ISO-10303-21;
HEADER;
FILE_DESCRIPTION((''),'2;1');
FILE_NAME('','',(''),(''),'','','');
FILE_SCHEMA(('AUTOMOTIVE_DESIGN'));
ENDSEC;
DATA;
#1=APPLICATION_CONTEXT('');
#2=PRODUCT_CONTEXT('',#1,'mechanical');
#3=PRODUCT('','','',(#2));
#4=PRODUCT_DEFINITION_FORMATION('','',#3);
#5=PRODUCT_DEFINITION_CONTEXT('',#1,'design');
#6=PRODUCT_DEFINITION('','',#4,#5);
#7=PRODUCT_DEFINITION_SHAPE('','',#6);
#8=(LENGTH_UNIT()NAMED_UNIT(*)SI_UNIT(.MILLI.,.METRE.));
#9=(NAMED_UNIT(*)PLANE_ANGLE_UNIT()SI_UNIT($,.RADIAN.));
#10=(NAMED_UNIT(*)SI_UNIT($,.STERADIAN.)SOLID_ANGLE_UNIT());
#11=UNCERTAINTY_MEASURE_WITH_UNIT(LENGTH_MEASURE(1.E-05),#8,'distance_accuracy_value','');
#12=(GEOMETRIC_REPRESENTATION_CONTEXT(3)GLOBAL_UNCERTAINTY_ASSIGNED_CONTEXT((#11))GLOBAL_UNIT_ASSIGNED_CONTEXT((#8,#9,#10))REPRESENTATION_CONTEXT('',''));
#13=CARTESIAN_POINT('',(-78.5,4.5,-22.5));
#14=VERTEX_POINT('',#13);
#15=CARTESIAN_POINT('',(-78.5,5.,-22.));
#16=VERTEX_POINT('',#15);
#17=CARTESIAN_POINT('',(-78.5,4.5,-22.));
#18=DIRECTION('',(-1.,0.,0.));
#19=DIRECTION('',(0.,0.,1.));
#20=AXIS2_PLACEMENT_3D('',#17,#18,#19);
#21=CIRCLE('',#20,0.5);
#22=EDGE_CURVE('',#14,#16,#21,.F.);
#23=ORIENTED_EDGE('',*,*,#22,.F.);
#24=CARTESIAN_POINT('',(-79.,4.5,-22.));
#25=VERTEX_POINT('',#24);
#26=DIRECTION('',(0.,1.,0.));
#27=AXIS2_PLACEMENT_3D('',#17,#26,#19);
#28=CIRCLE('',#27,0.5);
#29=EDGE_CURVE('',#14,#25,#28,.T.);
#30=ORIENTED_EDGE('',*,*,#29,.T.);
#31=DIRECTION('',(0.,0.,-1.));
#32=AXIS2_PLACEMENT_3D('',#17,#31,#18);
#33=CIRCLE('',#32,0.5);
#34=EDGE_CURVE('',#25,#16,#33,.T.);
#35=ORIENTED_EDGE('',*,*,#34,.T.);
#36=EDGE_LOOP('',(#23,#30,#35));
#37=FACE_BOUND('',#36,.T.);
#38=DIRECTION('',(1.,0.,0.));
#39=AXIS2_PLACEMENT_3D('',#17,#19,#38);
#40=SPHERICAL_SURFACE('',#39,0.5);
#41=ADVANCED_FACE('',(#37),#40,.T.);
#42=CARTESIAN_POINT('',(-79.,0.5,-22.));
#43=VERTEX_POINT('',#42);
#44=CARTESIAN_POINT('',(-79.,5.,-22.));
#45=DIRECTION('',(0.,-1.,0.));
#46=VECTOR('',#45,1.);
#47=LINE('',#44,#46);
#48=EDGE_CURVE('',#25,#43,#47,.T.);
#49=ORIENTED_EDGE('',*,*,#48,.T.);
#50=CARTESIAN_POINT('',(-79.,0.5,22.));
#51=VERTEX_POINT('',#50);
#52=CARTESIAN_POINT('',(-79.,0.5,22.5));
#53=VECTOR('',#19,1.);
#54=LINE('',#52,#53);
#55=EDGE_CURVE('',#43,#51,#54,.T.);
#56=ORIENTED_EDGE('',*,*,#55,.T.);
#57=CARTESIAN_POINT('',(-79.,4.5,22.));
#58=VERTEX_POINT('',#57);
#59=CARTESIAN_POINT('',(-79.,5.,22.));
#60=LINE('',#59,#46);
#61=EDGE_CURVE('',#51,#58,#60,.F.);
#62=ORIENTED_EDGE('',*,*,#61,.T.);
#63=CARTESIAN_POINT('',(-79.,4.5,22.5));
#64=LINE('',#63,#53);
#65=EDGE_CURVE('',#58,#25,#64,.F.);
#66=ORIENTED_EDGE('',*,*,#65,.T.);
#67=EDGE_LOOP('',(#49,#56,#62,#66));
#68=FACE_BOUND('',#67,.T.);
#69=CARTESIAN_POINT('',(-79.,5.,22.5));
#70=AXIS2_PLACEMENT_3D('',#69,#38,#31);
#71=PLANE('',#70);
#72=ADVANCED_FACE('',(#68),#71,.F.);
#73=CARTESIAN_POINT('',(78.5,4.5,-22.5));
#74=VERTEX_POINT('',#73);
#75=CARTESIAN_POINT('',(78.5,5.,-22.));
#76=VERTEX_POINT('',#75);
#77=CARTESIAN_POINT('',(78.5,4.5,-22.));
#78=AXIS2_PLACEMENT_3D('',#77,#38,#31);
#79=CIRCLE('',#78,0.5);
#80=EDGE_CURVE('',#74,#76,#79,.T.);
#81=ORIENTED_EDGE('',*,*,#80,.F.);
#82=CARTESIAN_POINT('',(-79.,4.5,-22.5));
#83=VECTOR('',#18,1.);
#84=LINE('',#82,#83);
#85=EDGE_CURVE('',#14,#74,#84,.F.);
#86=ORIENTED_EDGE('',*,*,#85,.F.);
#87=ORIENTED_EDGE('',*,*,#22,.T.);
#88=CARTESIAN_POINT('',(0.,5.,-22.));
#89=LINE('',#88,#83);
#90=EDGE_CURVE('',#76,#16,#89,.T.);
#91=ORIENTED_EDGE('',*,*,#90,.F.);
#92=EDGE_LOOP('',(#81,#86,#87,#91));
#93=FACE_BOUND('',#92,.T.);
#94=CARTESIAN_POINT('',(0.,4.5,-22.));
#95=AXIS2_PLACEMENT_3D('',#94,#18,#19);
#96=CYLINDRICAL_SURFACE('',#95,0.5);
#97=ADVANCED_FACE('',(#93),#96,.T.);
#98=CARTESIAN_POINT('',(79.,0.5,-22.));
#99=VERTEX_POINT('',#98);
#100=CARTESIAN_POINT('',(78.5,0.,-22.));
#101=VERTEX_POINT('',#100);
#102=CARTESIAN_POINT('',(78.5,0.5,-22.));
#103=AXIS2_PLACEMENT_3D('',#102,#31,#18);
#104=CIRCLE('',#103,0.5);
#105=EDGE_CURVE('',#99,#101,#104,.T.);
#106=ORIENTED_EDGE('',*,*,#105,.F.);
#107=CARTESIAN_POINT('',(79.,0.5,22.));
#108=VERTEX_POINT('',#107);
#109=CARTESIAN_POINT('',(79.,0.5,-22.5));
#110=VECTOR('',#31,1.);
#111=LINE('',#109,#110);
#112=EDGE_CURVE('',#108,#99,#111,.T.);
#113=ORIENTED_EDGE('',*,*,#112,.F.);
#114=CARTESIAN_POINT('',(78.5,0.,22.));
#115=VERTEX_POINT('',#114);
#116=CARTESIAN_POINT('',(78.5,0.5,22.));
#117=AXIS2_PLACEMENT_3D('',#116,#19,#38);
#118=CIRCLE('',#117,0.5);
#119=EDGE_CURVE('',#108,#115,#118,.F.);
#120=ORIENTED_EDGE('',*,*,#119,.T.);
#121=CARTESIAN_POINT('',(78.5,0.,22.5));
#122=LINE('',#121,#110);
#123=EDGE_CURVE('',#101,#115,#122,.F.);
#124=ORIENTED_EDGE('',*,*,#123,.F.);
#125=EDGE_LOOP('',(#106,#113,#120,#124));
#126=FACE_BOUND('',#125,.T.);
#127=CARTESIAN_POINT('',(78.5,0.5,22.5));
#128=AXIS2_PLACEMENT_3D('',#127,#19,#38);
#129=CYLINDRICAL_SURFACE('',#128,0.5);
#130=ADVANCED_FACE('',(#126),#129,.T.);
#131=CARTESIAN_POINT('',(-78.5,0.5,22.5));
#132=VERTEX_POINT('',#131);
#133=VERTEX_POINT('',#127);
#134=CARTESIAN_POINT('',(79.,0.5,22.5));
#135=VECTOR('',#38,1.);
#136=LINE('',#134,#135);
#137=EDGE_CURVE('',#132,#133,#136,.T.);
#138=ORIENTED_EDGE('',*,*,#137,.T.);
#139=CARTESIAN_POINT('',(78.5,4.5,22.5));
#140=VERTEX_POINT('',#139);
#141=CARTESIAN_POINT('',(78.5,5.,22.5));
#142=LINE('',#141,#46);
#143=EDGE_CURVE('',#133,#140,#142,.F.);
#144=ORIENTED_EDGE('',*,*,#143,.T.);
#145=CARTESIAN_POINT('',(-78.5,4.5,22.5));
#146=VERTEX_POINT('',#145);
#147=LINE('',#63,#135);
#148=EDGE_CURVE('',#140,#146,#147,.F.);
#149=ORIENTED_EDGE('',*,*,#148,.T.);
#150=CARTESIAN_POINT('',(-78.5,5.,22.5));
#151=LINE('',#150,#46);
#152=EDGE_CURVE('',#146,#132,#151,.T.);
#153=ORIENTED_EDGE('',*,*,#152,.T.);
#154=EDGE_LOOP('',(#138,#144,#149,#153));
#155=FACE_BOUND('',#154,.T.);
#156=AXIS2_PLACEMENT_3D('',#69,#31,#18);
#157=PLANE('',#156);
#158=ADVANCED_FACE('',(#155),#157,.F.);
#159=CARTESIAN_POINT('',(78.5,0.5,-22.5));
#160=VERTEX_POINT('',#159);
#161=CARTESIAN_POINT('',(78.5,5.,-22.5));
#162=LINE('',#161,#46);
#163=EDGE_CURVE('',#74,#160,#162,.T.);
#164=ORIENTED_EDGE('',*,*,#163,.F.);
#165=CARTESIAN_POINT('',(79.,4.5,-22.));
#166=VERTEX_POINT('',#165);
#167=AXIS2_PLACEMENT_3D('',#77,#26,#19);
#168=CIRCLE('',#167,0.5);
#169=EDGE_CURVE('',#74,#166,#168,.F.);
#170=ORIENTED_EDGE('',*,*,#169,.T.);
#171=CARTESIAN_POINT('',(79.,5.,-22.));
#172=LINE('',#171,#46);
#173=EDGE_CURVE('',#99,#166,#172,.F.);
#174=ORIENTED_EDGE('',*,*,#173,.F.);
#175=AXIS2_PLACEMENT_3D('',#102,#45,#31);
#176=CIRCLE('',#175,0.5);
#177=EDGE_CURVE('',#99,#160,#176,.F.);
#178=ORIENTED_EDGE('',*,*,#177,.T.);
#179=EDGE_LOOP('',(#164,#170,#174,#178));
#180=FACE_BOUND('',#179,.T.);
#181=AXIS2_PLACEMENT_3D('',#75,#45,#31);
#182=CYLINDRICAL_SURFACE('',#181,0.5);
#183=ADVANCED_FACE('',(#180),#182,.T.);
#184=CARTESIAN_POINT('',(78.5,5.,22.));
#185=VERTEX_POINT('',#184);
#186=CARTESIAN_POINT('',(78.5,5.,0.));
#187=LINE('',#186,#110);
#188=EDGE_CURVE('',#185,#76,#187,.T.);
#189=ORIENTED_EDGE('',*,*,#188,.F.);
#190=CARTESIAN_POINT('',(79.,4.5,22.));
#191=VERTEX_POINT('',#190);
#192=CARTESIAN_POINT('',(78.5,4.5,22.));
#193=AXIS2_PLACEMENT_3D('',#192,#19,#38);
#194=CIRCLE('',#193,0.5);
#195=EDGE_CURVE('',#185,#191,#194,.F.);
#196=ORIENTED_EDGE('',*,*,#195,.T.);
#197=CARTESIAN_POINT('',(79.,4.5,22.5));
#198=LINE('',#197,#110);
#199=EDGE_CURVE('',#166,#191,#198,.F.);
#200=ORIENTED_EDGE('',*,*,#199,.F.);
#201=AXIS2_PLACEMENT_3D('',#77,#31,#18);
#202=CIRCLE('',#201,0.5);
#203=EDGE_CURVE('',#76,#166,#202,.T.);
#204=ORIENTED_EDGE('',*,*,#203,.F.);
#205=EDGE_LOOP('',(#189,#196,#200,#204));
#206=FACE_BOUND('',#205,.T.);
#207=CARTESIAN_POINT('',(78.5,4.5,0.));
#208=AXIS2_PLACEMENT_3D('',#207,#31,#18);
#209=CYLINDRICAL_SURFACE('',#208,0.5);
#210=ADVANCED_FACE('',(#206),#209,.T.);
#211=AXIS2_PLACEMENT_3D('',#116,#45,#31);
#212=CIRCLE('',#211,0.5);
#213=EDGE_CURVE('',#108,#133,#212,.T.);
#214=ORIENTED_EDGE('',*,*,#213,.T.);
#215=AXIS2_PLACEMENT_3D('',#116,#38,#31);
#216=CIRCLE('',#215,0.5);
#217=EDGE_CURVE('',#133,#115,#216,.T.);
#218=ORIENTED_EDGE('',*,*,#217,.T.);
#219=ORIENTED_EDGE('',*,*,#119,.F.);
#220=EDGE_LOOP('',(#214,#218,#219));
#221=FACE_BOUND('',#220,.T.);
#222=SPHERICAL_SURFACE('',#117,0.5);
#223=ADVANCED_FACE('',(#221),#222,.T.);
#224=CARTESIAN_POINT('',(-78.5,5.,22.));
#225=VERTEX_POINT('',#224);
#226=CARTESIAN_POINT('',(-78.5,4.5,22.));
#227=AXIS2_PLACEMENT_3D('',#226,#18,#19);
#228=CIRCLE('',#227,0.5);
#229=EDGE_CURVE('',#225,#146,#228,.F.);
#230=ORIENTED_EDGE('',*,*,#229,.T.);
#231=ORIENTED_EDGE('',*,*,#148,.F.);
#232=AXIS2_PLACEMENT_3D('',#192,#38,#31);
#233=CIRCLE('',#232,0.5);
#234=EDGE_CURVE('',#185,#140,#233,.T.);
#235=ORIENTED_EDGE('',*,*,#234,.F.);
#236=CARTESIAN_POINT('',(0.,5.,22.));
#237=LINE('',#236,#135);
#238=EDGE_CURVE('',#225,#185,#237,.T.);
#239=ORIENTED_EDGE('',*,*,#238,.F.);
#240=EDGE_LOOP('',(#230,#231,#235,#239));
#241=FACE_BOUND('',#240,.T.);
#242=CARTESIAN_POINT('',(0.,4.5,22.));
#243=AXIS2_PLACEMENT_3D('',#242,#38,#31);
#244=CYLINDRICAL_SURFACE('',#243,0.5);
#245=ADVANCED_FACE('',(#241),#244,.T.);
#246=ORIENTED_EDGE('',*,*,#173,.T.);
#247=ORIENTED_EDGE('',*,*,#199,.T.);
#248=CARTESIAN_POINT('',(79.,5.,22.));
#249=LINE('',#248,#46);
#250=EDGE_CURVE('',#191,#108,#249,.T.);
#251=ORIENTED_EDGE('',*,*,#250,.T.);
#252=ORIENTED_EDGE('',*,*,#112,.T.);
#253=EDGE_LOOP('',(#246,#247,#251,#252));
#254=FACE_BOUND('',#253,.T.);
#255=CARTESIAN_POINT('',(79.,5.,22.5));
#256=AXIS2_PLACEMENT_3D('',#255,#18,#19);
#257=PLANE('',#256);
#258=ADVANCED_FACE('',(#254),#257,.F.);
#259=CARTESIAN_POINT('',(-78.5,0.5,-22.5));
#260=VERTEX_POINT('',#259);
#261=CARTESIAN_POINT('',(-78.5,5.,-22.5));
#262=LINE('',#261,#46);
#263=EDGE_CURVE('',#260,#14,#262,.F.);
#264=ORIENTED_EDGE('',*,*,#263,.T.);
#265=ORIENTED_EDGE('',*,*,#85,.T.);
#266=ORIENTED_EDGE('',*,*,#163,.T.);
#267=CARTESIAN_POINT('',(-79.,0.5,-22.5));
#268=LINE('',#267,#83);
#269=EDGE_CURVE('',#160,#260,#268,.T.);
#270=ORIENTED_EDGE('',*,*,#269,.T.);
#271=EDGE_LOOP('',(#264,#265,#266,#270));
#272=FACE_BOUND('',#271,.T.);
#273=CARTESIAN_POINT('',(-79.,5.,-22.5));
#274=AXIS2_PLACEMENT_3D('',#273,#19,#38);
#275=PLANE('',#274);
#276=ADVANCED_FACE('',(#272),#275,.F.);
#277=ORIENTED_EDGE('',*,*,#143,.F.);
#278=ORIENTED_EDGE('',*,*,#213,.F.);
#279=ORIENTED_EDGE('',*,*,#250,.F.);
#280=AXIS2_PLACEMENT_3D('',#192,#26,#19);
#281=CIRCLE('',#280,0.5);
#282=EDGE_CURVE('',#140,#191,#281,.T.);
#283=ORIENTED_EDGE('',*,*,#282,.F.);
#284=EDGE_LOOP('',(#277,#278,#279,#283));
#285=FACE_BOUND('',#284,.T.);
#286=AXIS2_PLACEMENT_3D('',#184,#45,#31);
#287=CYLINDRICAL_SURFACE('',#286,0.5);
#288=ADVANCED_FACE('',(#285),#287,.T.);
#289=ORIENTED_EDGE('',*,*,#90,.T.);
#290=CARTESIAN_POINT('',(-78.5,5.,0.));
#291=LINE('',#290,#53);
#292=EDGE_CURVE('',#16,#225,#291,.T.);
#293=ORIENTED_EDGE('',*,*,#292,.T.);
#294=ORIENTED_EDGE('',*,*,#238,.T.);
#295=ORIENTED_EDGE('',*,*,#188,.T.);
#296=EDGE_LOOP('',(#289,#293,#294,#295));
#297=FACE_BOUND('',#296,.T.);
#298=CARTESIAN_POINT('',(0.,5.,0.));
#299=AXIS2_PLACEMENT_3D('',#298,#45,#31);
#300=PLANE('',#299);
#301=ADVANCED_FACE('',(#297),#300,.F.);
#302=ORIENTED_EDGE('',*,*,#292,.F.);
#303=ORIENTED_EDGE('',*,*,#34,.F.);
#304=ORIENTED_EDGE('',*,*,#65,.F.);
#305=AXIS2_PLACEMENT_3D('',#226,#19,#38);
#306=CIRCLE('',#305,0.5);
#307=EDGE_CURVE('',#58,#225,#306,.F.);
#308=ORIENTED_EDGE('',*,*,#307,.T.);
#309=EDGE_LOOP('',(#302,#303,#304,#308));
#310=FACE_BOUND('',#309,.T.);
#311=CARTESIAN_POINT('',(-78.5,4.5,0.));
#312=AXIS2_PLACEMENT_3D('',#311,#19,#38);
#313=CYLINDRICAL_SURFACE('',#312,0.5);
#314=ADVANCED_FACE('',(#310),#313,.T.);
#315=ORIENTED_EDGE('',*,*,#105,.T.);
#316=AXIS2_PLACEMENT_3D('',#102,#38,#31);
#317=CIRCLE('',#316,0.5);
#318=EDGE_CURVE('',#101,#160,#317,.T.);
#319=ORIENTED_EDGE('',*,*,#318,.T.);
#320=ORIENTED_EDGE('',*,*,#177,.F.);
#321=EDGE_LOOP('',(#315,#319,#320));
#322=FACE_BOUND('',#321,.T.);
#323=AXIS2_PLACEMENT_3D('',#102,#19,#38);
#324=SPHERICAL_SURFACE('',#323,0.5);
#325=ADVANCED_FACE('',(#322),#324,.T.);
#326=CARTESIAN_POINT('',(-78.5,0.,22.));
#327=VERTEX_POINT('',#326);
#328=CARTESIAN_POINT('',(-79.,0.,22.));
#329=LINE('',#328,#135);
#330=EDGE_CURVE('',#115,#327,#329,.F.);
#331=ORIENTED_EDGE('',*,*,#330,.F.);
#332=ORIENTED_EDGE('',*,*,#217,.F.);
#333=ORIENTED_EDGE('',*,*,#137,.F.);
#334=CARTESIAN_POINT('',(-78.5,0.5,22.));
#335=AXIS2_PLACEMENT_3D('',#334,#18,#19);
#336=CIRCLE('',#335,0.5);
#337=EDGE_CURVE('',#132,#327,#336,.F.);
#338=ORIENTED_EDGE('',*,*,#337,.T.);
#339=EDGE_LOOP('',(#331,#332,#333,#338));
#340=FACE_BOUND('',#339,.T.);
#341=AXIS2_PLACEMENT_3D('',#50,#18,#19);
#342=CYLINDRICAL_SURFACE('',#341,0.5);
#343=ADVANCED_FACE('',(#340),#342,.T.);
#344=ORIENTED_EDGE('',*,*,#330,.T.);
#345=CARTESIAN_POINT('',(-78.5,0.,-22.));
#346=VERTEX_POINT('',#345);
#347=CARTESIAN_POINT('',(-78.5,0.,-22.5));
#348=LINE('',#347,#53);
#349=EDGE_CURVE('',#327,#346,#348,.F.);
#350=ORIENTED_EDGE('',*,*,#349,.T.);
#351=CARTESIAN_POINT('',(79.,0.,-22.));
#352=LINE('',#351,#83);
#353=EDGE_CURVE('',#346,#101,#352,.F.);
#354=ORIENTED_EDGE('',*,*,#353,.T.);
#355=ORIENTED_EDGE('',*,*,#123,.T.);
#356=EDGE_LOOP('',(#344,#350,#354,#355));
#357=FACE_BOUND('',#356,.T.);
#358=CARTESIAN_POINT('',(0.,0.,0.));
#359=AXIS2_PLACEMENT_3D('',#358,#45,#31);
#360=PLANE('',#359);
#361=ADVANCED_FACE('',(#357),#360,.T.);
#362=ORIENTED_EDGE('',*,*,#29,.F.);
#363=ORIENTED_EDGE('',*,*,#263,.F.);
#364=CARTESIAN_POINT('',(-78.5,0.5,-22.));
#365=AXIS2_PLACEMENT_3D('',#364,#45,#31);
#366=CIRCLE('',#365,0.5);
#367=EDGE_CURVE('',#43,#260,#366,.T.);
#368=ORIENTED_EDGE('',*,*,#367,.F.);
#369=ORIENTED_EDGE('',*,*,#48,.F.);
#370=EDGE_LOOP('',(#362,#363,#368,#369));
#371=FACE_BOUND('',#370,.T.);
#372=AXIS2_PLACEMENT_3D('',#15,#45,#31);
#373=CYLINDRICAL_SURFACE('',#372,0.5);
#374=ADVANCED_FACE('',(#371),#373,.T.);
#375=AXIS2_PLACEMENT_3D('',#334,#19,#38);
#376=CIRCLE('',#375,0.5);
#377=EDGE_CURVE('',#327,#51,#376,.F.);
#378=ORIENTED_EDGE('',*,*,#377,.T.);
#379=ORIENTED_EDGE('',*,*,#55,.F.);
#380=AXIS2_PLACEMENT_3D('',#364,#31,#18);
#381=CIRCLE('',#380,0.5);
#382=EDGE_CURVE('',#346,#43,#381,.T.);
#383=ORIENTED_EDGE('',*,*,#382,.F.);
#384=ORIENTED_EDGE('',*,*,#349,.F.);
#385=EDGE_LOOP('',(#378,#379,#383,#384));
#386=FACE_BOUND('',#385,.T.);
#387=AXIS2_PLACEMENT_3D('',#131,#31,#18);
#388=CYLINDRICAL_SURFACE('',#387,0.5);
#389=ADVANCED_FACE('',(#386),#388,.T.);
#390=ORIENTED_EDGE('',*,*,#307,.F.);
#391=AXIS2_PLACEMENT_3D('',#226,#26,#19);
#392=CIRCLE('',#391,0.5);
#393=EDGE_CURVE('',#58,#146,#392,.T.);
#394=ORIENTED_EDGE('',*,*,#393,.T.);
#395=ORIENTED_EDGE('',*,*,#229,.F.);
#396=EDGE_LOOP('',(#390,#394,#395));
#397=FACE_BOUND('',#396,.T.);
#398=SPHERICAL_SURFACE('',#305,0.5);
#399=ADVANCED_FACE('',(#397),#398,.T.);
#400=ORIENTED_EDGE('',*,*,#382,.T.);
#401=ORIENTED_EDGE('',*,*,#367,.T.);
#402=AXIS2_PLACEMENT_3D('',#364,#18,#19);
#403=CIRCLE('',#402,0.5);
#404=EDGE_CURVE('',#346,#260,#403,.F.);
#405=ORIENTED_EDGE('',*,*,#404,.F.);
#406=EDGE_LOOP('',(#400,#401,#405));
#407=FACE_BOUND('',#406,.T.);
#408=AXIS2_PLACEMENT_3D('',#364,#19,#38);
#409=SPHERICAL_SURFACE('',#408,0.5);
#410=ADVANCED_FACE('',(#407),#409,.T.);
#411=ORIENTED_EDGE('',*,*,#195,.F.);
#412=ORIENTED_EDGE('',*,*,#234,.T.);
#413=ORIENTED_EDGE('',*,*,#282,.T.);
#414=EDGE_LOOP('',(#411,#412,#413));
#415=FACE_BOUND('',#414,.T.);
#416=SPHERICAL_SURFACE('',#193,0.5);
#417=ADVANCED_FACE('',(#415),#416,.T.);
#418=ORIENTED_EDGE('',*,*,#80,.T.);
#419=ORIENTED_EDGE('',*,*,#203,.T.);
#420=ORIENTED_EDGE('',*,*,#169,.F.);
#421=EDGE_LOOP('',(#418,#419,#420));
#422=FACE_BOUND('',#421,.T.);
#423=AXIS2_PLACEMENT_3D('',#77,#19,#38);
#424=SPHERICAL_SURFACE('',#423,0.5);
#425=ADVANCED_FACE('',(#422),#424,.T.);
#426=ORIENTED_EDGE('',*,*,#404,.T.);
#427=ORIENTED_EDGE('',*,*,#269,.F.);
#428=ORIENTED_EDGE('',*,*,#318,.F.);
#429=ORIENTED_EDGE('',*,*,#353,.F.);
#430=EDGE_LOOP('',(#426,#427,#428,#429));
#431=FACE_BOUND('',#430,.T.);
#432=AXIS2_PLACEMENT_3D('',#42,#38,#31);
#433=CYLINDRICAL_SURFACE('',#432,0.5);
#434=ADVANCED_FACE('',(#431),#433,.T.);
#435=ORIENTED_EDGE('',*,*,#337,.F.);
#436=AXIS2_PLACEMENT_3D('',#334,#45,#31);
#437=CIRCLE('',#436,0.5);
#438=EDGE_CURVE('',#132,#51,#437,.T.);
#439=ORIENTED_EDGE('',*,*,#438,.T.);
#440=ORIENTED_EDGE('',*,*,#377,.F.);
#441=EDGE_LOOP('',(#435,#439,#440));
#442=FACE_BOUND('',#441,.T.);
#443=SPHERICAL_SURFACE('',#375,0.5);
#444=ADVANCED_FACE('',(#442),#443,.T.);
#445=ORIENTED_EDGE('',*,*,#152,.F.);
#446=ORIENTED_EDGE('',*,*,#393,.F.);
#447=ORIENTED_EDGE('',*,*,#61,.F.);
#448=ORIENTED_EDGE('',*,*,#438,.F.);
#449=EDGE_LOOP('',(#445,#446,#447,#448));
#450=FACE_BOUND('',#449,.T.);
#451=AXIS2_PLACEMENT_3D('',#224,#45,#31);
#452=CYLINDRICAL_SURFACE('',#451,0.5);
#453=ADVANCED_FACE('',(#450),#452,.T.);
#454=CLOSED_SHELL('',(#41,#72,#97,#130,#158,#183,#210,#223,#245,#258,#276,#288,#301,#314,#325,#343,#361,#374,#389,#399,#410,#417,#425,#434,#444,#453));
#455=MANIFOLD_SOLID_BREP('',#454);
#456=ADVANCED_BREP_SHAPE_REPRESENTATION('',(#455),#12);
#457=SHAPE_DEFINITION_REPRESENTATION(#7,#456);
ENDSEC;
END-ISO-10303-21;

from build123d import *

# Parameters (mm, degrees)
ESBO_O1_W                = 158
ESBO_O1_H                = 45
RESSALTO_EXTRUS_O1_DEPTH = 5
FILETE1_R                = 0.5


with BuildPart() as part:
    # Esboço1 → Ressalto-extrusão1 (new body)
    with BuildSketch(Plane(origin=(0, 0, 0), x_dir=(1, 0, 0), z_dir=(0, 1, 0))):
        Rectangle(ESBO_O1_W, ESBO_O1_H)
    extrude(amount=RESSALTO_EXTRUS_O1_DEPTH)

    # Filete1
    filete1_edges = [part.edges().sort_by_distance(p)[0] for p in [
        (-79, 5, 0),
        (0, 5, 22.5),
        (79, 5, 0),
        (0, 0, 22.5),
        (-79, 0, 0),
        (0, 0, -22.5),
        (79, 0, 0),
        (0, 5, -22.5),
        (79, 2.5, 22.5),
        (-79, 2.5, 22.5),
        (-79, 2.5, -22.5),
        (79, 2.5, -22.5),
    ]]
    fillet(filete1_edges, radius=FILETE1_R)


solid = part.part
